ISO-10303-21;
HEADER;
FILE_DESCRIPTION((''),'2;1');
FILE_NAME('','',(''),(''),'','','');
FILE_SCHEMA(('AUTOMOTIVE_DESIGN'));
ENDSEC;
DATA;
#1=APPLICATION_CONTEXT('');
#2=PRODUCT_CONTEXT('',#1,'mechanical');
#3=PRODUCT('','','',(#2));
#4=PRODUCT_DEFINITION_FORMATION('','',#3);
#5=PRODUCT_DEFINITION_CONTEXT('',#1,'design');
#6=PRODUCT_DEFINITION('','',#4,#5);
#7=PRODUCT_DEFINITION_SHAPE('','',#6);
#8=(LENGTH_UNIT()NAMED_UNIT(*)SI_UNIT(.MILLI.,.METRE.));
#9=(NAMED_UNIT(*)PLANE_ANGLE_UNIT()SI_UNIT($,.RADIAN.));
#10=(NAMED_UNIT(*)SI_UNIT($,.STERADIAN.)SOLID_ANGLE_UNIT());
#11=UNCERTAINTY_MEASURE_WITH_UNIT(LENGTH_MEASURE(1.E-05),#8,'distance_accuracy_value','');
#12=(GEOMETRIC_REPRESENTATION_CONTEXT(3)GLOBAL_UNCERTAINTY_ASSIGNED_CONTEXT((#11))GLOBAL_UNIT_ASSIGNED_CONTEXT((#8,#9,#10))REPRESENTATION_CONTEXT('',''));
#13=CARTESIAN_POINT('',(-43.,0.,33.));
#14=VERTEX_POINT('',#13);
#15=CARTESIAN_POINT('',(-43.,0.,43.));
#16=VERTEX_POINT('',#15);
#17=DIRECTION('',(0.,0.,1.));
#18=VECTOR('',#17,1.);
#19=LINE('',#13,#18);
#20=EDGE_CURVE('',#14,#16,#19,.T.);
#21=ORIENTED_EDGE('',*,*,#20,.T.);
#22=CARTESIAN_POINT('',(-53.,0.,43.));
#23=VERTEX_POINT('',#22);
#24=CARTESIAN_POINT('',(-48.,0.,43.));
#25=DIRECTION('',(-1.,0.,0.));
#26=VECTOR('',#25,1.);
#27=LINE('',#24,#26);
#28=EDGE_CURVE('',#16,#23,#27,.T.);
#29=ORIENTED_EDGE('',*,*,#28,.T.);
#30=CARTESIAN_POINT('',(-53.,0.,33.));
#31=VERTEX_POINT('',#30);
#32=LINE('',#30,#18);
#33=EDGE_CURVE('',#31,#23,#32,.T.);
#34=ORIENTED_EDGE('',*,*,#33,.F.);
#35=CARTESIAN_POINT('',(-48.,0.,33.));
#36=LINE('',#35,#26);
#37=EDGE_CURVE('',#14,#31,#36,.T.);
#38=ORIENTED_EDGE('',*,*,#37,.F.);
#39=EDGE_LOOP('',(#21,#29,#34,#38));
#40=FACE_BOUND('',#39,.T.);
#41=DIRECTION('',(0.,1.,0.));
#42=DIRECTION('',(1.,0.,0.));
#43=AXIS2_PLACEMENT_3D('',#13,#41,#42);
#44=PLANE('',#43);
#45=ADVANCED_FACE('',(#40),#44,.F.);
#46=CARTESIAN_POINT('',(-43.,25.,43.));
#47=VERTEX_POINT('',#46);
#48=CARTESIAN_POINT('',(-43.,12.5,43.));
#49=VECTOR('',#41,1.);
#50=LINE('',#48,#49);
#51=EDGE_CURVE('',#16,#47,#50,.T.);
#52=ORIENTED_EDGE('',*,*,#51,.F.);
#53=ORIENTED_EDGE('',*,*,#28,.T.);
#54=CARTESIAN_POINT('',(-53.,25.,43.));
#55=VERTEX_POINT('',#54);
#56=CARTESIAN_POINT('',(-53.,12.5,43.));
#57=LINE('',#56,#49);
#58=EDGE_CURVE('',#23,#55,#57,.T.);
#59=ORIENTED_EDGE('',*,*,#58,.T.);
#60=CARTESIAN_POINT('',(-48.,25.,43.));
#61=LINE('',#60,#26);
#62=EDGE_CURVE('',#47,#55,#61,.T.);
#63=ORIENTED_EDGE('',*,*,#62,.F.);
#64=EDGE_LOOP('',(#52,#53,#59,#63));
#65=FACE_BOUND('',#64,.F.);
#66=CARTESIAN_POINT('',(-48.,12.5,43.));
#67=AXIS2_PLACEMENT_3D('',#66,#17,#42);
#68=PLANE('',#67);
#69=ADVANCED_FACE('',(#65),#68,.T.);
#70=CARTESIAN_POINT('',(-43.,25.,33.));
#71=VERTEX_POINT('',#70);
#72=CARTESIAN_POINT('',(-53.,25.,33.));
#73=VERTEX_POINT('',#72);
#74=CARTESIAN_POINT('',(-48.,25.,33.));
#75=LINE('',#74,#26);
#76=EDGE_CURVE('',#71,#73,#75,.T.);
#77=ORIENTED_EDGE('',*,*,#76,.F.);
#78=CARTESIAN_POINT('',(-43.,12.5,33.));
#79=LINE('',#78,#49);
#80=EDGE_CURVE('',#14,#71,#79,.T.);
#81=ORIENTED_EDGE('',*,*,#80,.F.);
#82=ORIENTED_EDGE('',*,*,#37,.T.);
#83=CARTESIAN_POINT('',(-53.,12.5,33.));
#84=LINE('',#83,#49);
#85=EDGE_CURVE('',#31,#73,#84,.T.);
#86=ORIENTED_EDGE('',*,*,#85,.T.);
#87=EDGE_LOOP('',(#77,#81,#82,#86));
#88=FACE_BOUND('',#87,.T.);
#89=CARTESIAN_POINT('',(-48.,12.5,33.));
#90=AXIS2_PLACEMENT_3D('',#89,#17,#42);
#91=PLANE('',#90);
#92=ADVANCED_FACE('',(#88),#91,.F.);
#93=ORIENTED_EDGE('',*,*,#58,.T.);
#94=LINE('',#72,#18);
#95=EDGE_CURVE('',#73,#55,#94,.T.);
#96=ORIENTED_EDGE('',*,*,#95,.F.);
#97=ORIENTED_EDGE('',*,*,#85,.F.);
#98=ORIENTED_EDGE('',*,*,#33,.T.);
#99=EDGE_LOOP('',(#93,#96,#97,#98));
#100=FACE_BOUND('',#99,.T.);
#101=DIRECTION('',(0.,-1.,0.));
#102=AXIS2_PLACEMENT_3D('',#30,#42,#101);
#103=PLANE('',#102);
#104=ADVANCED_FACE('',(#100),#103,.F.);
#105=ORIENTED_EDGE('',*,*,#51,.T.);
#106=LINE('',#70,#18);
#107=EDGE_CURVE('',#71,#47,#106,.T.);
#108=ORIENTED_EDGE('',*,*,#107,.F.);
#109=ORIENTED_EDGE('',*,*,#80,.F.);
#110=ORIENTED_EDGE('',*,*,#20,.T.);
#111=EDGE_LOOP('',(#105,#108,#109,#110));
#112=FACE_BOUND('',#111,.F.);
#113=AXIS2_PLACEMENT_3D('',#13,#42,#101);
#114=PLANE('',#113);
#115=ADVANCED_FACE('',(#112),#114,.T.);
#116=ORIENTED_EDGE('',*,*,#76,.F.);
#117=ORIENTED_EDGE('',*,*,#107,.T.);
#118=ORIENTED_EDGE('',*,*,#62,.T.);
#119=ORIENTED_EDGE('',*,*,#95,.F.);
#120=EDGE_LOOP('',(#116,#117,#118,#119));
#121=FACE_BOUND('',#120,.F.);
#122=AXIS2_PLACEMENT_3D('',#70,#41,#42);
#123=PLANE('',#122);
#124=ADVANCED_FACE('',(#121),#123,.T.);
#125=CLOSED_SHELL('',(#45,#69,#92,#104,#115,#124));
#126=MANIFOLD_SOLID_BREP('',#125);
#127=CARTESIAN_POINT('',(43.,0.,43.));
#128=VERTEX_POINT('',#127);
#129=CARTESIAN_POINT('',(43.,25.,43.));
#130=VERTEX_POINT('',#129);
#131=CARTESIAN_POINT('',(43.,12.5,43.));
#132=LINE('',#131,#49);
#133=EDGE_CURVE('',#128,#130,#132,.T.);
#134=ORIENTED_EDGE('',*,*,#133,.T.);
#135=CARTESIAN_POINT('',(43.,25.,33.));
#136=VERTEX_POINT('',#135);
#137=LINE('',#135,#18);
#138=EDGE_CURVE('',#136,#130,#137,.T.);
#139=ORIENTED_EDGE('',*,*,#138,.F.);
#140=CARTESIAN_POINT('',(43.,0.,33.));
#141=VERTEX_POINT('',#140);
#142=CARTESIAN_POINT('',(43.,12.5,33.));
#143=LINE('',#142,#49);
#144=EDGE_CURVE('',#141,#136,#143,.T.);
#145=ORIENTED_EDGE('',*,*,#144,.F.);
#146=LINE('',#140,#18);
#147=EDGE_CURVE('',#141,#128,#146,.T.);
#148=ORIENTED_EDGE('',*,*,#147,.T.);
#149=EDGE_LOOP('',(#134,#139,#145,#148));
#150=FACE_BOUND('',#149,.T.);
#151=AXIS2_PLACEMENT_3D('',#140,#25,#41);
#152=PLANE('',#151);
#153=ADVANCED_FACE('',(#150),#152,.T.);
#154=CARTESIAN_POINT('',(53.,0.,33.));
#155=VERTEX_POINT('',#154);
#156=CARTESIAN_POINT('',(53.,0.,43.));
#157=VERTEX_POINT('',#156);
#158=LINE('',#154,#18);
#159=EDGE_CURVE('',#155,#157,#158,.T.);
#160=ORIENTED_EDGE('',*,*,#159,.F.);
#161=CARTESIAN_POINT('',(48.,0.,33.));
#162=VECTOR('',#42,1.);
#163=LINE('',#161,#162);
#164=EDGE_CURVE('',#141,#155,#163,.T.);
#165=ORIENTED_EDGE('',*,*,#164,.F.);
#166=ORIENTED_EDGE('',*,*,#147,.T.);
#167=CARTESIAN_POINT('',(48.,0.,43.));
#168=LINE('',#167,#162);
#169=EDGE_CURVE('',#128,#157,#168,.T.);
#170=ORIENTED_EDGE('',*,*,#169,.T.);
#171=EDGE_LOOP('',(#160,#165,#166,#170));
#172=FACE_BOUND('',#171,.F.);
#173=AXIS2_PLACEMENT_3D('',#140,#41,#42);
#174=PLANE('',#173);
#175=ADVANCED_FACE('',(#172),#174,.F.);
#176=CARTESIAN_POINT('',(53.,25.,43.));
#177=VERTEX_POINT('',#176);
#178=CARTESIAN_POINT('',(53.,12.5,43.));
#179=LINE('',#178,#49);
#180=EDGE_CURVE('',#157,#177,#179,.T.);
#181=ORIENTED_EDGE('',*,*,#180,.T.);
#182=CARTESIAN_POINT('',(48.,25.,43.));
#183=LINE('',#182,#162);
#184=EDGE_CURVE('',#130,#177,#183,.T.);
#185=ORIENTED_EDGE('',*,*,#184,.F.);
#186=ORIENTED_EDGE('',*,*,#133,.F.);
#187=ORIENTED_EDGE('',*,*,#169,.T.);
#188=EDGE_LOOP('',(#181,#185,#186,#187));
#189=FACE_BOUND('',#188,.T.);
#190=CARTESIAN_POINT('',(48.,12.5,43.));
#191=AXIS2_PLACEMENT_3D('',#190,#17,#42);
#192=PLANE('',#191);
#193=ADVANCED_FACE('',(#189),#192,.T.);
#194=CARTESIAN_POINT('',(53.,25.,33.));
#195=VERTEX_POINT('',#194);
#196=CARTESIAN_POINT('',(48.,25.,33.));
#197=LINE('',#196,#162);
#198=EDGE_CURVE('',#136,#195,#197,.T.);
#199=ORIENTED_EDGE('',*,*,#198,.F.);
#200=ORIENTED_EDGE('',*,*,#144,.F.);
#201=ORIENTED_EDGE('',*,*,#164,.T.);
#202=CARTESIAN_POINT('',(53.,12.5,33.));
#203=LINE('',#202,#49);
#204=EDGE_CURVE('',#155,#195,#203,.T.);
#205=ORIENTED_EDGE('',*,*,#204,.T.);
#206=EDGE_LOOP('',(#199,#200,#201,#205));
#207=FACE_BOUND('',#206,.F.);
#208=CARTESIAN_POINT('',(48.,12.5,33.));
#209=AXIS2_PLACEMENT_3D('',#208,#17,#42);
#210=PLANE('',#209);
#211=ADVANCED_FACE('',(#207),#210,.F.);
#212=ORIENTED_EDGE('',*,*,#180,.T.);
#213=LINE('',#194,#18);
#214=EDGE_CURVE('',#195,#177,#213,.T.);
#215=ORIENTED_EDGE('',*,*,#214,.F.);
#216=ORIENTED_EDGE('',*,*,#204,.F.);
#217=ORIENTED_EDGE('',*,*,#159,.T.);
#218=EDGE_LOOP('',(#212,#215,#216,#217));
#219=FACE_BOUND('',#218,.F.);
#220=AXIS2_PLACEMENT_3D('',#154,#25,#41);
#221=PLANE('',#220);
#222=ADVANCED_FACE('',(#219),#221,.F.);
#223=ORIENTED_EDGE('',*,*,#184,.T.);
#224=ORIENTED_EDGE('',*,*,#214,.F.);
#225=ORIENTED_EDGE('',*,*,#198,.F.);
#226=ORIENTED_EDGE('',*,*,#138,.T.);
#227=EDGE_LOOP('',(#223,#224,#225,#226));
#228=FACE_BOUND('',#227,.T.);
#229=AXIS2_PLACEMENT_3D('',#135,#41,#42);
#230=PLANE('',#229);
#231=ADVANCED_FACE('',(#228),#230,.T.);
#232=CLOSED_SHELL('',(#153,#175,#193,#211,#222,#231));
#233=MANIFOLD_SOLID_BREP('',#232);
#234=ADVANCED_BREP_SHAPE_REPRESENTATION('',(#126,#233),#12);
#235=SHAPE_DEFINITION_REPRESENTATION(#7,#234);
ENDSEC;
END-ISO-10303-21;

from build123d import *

# Parameters (mm, degrees)
BOX021_W     = 10
BOX021_H     = 25
BOX021_DEPTH = 10


with BuildPart() as agujeros_new:
    # Box021 → Box021 (new body)
    with BuildSketch(Plane(origin=(43, 0, 33), x_dir=(1, 0, 0), z_dir=(0, 0, 1))):
        with Locations((5, 12.5)):
            Rectangle(BOX021_W, BOX021_H)
    extrude(amount=BOX021_DEPTH)


with BuildPart() as part_mirroring027:
    # Part__Mirroring027: instance of agujeros-new
    add(agujeros_new.part.mirror(Plane(origin=(0, 0, 0), x_dir=(0, -1, 0), z_dir=(1, 0, 0))))


with BuildPart() as agujeros_rectangulares:
    # Fusion001054 base: copy of agujeros-new
    add(agujeros_new.part)

    # Fusion001054: union Part__Mirroring027
    add(part_mirroring027.part)


solid = agujeros_rectangulares.part
